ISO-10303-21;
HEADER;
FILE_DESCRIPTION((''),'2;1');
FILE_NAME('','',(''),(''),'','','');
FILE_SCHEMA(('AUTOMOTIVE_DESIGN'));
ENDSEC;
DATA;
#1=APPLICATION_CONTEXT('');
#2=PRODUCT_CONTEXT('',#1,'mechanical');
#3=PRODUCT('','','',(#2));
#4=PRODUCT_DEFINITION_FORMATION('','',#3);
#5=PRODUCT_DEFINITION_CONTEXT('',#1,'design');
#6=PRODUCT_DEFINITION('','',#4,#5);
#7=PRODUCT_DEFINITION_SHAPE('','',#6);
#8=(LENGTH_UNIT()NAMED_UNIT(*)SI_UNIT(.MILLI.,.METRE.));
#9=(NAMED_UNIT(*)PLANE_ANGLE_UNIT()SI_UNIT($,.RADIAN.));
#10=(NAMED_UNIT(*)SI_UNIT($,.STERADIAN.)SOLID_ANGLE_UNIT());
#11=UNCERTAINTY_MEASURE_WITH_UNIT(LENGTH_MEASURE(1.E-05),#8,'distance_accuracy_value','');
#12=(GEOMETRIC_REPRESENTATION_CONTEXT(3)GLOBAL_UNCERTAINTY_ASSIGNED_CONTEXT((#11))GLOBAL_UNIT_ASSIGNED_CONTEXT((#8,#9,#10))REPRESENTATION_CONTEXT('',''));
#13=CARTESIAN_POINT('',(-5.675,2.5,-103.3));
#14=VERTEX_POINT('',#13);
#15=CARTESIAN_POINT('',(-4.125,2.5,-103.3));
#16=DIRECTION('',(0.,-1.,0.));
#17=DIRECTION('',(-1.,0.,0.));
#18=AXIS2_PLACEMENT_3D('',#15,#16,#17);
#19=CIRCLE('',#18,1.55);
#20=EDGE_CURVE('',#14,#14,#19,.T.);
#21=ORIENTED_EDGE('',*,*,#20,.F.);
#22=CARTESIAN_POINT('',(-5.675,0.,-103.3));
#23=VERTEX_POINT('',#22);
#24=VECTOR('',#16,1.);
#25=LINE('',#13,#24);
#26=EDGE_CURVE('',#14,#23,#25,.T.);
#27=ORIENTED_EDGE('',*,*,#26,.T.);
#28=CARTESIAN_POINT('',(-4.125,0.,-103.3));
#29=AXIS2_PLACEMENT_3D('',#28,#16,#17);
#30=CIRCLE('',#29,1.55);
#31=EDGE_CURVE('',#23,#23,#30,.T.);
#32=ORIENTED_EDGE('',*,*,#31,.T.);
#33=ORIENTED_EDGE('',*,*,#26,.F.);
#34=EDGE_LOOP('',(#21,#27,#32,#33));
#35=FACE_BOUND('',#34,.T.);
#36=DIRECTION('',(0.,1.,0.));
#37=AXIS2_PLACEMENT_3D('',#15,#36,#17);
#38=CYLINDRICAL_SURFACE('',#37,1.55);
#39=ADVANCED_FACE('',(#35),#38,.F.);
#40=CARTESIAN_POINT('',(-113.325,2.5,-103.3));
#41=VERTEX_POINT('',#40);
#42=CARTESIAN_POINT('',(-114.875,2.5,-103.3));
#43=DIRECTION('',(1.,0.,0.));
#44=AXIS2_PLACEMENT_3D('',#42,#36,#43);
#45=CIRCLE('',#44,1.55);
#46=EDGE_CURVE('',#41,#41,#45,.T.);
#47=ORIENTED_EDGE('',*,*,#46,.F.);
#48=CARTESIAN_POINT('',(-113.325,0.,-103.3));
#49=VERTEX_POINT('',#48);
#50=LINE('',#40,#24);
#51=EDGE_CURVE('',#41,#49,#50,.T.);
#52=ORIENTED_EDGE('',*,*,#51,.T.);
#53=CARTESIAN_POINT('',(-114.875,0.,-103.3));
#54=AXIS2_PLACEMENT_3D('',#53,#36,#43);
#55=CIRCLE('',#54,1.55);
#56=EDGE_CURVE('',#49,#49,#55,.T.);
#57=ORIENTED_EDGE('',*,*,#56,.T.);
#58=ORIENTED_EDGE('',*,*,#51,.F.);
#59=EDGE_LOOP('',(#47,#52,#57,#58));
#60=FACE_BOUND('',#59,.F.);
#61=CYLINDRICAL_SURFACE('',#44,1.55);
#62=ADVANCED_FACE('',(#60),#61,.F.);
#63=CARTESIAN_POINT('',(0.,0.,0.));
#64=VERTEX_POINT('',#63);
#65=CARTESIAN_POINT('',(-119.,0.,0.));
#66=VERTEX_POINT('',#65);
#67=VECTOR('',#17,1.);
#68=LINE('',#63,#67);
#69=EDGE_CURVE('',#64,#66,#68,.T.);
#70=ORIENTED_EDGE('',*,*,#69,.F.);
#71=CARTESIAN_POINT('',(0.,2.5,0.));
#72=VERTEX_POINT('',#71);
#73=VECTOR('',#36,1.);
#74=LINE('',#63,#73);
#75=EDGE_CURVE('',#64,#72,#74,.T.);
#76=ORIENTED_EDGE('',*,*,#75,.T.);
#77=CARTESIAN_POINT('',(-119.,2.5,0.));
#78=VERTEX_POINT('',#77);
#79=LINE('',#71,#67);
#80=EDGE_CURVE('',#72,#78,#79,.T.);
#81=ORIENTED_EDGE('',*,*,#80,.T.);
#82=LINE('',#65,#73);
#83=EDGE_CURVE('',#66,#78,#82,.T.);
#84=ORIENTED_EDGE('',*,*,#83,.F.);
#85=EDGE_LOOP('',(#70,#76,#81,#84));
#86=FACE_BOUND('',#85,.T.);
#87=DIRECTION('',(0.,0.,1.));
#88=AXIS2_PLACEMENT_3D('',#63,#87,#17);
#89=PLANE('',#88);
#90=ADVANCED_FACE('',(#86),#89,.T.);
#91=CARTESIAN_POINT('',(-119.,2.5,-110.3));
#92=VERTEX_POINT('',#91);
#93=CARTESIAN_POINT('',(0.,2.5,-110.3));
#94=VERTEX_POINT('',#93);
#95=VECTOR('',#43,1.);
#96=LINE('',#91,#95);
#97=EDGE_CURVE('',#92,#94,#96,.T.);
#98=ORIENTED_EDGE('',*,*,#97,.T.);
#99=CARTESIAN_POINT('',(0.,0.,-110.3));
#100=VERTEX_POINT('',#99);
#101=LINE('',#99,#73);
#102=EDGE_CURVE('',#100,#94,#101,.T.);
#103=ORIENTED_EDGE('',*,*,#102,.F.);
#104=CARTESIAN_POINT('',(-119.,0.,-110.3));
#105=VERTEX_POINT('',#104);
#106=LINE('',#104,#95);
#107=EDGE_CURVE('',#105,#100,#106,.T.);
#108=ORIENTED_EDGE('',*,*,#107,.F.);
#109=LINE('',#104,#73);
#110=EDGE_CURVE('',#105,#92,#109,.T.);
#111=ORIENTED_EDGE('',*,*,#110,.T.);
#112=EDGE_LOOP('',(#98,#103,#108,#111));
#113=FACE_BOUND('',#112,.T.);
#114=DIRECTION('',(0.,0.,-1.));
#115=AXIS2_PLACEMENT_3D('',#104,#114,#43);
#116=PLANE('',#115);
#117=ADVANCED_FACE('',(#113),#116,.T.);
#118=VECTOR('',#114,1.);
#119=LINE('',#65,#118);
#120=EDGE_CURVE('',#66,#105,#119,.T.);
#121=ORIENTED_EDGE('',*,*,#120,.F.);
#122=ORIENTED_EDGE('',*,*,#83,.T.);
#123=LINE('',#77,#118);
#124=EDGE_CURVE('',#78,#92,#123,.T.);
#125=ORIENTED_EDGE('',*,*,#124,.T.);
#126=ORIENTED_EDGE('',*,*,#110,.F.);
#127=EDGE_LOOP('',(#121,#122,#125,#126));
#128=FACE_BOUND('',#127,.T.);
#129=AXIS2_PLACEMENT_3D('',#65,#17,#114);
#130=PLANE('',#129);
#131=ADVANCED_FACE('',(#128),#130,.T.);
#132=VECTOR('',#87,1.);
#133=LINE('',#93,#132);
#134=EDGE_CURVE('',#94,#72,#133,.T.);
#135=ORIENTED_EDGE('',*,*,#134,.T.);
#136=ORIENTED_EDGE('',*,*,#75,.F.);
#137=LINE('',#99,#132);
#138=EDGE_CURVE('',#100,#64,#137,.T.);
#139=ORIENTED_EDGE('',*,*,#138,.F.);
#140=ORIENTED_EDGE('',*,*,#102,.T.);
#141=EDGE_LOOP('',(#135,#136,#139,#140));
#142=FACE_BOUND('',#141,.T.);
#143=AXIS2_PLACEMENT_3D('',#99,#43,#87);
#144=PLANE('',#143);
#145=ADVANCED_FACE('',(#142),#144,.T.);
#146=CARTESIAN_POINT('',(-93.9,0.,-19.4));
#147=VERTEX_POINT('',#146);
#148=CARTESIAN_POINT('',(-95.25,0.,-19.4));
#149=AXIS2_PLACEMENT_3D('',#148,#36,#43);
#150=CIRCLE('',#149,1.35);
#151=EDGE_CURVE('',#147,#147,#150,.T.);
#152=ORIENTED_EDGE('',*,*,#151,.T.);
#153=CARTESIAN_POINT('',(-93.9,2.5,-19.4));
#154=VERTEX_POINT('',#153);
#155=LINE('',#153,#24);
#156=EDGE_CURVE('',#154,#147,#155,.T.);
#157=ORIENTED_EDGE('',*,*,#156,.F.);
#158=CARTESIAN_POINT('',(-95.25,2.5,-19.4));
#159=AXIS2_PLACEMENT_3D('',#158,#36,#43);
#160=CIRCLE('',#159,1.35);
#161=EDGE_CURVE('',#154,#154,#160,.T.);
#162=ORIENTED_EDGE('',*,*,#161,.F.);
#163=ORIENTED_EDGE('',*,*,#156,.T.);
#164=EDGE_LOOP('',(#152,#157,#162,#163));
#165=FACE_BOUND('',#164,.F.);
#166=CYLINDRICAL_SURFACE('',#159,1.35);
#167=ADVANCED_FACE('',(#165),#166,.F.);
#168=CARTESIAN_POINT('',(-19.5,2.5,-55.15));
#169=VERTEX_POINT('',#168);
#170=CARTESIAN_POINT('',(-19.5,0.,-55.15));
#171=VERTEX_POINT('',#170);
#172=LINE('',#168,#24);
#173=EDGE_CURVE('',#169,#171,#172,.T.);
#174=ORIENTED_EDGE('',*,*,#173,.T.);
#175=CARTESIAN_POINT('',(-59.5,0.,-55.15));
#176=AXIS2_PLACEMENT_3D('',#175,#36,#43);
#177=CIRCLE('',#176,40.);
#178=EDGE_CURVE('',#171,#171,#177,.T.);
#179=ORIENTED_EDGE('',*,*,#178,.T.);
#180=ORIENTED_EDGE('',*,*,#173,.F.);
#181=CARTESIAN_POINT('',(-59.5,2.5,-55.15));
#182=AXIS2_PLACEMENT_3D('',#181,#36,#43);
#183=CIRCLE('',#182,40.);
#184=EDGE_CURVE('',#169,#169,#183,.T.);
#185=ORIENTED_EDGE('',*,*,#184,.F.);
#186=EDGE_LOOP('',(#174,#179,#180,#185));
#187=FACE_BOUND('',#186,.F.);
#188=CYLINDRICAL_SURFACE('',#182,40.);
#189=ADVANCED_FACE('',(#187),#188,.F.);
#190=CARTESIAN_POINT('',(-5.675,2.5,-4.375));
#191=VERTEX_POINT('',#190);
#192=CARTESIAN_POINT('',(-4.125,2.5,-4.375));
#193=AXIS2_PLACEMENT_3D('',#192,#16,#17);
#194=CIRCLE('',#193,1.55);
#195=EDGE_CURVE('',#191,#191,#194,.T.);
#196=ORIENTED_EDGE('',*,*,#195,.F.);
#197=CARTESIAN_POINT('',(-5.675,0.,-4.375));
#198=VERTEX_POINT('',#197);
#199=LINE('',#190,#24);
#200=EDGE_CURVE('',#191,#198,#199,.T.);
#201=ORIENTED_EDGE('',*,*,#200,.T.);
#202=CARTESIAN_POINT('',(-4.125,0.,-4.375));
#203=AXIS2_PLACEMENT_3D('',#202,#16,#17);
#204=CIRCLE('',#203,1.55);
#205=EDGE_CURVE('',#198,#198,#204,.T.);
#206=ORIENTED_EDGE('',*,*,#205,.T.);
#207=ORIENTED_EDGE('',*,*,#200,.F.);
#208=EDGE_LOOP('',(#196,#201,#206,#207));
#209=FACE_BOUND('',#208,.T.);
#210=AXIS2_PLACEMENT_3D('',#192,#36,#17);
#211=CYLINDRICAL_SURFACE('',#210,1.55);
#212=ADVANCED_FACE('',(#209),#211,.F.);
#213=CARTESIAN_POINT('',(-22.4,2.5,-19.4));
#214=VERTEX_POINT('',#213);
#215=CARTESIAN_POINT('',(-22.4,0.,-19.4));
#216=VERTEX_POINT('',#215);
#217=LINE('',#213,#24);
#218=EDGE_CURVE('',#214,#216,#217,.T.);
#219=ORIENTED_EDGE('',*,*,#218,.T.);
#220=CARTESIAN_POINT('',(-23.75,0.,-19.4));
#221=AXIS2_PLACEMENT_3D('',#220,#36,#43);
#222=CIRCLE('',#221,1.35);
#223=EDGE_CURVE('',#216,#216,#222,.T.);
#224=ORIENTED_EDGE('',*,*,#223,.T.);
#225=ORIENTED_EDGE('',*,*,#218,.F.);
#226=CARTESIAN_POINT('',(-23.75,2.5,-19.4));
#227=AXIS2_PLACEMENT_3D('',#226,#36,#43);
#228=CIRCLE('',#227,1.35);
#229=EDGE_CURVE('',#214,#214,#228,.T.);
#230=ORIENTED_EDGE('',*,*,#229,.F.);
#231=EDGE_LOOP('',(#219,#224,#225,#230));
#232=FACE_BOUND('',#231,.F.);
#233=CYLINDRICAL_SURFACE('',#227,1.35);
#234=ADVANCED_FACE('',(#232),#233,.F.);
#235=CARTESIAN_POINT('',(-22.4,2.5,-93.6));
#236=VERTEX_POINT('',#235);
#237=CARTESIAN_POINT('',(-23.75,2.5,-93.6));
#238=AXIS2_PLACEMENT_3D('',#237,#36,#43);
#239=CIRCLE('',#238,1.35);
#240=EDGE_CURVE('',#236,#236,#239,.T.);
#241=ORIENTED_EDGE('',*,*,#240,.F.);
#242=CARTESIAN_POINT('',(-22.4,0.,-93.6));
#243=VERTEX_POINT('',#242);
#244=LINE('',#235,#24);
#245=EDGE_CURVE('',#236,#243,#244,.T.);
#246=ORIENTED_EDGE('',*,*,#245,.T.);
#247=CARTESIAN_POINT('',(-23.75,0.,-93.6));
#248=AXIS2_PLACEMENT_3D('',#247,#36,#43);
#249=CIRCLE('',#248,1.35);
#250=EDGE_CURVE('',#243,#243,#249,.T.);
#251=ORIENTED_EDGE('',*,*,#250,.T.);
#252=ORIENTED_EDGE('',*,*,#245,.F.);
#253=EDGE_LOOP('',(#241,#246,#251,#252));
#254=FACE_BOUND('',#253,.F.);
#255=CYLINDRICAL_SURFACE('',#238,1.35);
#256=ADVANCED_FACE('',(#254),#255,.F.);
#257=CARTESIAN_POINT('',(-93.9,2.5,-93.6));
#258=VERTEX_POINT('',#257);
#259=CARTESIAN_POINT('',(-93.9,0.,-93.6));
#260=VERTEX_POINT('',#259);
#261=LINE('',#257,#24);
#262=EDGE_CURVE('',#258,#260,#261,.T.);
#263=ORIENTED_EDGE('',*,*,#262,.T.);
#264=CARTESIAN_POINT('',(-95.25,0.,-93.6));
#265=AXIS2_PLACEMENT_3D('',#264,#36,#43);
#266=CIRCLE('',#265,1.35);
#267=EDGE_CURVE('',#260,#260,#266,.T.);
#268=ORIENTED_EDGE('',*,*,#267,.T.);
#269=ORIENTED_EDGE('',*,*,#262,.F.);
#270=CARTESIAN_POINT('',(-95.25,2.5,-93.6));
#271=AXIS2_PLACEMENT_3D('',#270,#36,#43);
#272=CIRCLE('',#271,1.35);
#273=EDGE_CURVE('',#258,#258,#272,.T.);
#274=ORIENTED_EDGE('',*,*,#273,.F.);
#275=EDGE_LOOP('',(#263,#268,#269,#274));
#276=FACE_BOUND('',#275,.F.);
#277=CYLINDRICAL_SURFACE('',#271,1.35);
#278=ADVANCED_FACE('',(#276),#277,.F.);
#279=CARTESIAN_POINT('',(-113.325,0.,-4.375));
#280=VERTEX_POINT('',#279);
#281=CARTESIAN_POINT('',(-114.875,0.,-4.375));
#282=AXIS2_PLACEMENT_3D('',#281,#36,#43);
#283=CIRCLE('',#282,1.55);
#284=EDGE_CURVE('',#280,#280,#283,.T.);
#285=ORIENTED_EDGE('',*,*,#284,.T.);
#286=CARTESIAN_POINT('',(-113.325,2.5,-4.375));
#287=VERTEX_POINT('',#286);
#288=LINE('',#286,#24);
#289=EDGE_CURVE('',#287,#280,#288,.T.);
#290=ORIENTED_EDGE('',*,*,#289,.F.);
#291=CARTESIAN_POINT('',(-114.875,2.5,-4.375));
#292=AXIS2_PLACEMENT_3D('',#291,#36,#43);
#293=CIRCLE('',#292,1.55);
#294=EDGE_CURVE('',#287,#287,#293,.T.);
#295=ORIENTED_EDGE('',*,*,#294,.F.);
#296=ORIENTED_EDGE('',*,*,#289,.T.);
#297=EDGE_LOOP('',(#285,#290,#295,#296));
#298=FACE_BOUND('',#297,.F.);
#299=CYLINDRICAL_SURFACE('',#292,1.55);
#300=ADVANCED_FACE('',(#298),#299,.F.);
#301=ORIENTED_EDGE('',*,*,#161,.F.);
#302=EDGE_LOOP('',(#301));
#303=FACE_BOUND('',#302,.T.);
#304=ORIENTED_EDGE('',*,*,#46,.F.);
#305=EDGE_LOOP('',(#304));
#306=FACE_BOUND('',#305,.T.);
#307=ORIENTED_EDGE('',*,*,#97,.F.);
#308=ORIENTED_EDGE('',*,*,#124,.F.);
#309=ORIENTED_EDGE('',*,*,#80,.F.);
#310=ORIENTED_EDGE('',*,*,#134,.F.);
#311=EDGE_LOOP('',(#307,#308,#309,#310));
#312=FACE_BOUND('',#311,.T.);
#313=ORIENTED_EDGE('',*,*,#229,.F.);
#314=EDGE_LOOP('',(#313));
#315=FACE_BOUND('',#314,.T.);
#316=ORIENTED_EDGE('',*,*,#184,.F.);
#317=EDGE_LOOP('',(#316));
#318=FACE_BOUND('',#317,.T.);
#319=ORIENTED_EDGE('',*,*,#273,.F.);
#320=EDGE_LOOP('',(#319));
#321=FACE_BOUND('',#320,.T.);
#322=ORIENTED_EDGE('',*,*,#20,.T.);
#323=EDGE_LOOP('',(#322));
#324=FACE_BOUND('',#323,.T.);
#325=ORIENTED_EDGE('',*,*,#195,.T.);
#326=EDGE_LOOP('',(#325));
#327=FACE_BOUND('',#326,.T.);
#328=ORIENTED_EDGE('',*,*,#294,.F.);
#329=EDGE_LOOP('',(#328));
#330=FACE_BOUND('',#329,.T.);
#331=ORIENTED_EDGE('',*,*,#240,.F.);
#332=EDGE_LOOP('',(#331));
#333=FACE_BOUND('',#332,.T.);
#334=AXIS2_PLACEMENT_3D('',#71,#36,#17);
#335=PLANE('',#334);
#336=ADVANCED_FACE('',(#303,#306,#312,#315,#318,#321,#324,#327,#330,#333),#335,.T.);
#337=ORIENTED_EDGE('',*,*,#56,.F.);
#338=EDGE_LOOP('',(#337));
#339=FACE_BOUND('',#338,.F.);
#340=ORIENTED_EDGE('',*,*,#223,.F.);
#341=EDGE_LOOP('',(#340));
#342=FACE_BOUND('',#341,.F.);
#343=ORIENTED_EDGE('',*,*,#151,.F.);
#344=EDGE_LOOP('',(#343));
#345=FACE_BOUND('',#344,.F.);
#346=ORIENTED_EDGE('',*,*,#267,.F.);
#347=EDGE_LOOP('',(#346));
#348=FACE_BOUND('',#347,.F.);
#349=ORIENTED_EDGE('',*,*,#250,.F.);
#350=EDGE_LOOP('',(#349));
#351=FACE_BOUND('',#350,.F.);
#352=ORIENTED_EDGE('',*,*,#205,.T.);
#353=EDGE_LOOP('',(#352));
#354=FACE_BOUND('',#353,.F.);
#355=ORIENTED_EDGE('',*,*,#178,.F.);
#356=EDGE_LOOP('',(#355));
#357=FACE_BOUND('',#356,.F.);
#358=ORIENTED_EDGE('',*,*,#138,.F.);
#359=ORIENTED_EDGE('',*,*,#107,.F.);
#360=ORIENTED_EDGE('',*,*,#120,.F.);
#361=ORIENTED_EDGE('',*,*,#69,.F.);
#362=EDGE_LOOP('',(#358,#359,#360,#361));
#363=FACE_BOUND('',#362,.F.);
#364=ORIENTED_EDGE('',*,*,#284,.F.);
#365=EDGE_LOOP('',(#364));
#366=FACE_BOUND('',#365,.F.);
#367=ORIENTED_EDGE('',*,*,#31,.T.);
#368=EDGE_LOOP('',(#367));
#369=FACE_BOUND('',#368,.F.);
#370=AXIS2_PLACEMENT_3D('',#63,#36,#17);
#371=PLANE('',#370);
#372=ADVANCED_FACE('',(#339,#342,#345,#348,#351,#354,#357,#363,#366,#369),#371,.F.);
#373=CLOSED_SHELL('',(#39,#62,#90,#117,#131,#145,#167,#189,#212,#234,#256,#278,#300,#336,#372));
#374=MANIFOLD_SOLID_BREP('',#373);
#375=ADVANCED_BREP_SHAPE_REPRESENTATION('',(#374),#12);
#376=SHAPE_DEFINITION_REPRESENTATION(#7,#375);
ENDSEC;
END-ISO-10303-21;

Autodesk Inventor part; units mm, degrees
ref_plane "YZ Plane" through (0, 0, 0) normal (1, 0, 0) x (0, 1, 0)
ref_plane "XZ Plane" through (0, 0, 0) normal (0, 1, 0) x (-1, 0, 0)
sketch "Sketch1" plane through (0, 0, 0) normal (0, 1, 0) x (-1, 0, 0)
  line L0 (0, 0) -> (119, 0)
  line L1 (119, 0) -> (119, -110.3)
  line L2 (119, -110.3) -> (0, -110.3)
  line L3 (0, -110.3) -> (0, 0)
  dimension "d0" = 119
  dimension "d1" = 110.3
extrude "Extrusion1" add sketch "Sketch1" along normal blind 2.5
sketch "Sketch2" plane through (0, 2.5, 0) normal (0, 1, 0) x (1, 0, 0)
  line L0 (-119, 0) -> (0, 0) projected
  line L1 (0, 0) -> (0, 110.3) projected
  line L2 (0, 110.3) -> (-119, 110.3) projected
  line L3 (-119, 110.3) -> (-119, 0) projected
  circle A0 centre (-114.875, 4.375) radius 1.55
  circle A1 centre (-114.875, 103.3) radius 1.55
  dimension "d4" = 3.1
  dimension "d5" = 4.125
  dimension "d6" = 4.375
  dimension "d7" = 3.1
  dimension "d8" = 7
extrude "Extrusion2" cut sketch "Sketch2" against normal blind 2.5 contours A0 | A1
ref_plane "Work Plane1" through (-59.5, 0, 0) normal (1, 0, 0) x (0, 0, -1)
mirror "Mirror1" about plane through (-59.5, 0, 0) normal (1, 0, 0) of "Extrusion2"
sketch "Sketch3" plane through (0, 2.5, 0) normal (0, 1, 0) x (1, 0, 0)
  circle A0 centre (-4.125, 4.375) radius 1.55 projected
  circle A1 centre (-4.125, 103.3) radius 1.55 projected
  circle A2 centre (-114.875, 4.375) radius 1.55 projected
  circle A3 centre (-114.875, 103.3) radius 1.55 projected
  line L0 (-119, 0) -> (0, 0) projected
  line L1 (0, 0) -> (0, 110.3) projected
  line L2 (0, 110.3) -> (-119, 110.3) projected
  line L3 (-119, 110.3) -> (-119, 0) projected
  circle A4 centre (-59.5, 55.15) radius 40
  circle A5 centre (-23.75, 19.4) radius 1.35
  circle A6 centre (-95.25, 19.4) radius 1.35
  circle A7 centre (-95.25, 93.6) radius 1.35
  circle A8 centre (-23.75, 93.6) radius 1.35
  dimension "d16" = 2.7
  dimension "d17" = 2.7
  dimension "d18" = 2.7
  dimension "d19" = 2.7
  dimension "d30" = 71.5
  dimension "d31" = 71.5
  dimension "d32" = 71.5
  dimension "d34" = 35.75
  dimension "d35" = 35.75
  dimension "d36" = 35.75
extrude "Extrusion3" cut sketch "Sketch3" against normal blind 2.5 contours A4 | A5 | A6 | A7 | A8
properties part number "Base Cover Right 6010 Fan"
